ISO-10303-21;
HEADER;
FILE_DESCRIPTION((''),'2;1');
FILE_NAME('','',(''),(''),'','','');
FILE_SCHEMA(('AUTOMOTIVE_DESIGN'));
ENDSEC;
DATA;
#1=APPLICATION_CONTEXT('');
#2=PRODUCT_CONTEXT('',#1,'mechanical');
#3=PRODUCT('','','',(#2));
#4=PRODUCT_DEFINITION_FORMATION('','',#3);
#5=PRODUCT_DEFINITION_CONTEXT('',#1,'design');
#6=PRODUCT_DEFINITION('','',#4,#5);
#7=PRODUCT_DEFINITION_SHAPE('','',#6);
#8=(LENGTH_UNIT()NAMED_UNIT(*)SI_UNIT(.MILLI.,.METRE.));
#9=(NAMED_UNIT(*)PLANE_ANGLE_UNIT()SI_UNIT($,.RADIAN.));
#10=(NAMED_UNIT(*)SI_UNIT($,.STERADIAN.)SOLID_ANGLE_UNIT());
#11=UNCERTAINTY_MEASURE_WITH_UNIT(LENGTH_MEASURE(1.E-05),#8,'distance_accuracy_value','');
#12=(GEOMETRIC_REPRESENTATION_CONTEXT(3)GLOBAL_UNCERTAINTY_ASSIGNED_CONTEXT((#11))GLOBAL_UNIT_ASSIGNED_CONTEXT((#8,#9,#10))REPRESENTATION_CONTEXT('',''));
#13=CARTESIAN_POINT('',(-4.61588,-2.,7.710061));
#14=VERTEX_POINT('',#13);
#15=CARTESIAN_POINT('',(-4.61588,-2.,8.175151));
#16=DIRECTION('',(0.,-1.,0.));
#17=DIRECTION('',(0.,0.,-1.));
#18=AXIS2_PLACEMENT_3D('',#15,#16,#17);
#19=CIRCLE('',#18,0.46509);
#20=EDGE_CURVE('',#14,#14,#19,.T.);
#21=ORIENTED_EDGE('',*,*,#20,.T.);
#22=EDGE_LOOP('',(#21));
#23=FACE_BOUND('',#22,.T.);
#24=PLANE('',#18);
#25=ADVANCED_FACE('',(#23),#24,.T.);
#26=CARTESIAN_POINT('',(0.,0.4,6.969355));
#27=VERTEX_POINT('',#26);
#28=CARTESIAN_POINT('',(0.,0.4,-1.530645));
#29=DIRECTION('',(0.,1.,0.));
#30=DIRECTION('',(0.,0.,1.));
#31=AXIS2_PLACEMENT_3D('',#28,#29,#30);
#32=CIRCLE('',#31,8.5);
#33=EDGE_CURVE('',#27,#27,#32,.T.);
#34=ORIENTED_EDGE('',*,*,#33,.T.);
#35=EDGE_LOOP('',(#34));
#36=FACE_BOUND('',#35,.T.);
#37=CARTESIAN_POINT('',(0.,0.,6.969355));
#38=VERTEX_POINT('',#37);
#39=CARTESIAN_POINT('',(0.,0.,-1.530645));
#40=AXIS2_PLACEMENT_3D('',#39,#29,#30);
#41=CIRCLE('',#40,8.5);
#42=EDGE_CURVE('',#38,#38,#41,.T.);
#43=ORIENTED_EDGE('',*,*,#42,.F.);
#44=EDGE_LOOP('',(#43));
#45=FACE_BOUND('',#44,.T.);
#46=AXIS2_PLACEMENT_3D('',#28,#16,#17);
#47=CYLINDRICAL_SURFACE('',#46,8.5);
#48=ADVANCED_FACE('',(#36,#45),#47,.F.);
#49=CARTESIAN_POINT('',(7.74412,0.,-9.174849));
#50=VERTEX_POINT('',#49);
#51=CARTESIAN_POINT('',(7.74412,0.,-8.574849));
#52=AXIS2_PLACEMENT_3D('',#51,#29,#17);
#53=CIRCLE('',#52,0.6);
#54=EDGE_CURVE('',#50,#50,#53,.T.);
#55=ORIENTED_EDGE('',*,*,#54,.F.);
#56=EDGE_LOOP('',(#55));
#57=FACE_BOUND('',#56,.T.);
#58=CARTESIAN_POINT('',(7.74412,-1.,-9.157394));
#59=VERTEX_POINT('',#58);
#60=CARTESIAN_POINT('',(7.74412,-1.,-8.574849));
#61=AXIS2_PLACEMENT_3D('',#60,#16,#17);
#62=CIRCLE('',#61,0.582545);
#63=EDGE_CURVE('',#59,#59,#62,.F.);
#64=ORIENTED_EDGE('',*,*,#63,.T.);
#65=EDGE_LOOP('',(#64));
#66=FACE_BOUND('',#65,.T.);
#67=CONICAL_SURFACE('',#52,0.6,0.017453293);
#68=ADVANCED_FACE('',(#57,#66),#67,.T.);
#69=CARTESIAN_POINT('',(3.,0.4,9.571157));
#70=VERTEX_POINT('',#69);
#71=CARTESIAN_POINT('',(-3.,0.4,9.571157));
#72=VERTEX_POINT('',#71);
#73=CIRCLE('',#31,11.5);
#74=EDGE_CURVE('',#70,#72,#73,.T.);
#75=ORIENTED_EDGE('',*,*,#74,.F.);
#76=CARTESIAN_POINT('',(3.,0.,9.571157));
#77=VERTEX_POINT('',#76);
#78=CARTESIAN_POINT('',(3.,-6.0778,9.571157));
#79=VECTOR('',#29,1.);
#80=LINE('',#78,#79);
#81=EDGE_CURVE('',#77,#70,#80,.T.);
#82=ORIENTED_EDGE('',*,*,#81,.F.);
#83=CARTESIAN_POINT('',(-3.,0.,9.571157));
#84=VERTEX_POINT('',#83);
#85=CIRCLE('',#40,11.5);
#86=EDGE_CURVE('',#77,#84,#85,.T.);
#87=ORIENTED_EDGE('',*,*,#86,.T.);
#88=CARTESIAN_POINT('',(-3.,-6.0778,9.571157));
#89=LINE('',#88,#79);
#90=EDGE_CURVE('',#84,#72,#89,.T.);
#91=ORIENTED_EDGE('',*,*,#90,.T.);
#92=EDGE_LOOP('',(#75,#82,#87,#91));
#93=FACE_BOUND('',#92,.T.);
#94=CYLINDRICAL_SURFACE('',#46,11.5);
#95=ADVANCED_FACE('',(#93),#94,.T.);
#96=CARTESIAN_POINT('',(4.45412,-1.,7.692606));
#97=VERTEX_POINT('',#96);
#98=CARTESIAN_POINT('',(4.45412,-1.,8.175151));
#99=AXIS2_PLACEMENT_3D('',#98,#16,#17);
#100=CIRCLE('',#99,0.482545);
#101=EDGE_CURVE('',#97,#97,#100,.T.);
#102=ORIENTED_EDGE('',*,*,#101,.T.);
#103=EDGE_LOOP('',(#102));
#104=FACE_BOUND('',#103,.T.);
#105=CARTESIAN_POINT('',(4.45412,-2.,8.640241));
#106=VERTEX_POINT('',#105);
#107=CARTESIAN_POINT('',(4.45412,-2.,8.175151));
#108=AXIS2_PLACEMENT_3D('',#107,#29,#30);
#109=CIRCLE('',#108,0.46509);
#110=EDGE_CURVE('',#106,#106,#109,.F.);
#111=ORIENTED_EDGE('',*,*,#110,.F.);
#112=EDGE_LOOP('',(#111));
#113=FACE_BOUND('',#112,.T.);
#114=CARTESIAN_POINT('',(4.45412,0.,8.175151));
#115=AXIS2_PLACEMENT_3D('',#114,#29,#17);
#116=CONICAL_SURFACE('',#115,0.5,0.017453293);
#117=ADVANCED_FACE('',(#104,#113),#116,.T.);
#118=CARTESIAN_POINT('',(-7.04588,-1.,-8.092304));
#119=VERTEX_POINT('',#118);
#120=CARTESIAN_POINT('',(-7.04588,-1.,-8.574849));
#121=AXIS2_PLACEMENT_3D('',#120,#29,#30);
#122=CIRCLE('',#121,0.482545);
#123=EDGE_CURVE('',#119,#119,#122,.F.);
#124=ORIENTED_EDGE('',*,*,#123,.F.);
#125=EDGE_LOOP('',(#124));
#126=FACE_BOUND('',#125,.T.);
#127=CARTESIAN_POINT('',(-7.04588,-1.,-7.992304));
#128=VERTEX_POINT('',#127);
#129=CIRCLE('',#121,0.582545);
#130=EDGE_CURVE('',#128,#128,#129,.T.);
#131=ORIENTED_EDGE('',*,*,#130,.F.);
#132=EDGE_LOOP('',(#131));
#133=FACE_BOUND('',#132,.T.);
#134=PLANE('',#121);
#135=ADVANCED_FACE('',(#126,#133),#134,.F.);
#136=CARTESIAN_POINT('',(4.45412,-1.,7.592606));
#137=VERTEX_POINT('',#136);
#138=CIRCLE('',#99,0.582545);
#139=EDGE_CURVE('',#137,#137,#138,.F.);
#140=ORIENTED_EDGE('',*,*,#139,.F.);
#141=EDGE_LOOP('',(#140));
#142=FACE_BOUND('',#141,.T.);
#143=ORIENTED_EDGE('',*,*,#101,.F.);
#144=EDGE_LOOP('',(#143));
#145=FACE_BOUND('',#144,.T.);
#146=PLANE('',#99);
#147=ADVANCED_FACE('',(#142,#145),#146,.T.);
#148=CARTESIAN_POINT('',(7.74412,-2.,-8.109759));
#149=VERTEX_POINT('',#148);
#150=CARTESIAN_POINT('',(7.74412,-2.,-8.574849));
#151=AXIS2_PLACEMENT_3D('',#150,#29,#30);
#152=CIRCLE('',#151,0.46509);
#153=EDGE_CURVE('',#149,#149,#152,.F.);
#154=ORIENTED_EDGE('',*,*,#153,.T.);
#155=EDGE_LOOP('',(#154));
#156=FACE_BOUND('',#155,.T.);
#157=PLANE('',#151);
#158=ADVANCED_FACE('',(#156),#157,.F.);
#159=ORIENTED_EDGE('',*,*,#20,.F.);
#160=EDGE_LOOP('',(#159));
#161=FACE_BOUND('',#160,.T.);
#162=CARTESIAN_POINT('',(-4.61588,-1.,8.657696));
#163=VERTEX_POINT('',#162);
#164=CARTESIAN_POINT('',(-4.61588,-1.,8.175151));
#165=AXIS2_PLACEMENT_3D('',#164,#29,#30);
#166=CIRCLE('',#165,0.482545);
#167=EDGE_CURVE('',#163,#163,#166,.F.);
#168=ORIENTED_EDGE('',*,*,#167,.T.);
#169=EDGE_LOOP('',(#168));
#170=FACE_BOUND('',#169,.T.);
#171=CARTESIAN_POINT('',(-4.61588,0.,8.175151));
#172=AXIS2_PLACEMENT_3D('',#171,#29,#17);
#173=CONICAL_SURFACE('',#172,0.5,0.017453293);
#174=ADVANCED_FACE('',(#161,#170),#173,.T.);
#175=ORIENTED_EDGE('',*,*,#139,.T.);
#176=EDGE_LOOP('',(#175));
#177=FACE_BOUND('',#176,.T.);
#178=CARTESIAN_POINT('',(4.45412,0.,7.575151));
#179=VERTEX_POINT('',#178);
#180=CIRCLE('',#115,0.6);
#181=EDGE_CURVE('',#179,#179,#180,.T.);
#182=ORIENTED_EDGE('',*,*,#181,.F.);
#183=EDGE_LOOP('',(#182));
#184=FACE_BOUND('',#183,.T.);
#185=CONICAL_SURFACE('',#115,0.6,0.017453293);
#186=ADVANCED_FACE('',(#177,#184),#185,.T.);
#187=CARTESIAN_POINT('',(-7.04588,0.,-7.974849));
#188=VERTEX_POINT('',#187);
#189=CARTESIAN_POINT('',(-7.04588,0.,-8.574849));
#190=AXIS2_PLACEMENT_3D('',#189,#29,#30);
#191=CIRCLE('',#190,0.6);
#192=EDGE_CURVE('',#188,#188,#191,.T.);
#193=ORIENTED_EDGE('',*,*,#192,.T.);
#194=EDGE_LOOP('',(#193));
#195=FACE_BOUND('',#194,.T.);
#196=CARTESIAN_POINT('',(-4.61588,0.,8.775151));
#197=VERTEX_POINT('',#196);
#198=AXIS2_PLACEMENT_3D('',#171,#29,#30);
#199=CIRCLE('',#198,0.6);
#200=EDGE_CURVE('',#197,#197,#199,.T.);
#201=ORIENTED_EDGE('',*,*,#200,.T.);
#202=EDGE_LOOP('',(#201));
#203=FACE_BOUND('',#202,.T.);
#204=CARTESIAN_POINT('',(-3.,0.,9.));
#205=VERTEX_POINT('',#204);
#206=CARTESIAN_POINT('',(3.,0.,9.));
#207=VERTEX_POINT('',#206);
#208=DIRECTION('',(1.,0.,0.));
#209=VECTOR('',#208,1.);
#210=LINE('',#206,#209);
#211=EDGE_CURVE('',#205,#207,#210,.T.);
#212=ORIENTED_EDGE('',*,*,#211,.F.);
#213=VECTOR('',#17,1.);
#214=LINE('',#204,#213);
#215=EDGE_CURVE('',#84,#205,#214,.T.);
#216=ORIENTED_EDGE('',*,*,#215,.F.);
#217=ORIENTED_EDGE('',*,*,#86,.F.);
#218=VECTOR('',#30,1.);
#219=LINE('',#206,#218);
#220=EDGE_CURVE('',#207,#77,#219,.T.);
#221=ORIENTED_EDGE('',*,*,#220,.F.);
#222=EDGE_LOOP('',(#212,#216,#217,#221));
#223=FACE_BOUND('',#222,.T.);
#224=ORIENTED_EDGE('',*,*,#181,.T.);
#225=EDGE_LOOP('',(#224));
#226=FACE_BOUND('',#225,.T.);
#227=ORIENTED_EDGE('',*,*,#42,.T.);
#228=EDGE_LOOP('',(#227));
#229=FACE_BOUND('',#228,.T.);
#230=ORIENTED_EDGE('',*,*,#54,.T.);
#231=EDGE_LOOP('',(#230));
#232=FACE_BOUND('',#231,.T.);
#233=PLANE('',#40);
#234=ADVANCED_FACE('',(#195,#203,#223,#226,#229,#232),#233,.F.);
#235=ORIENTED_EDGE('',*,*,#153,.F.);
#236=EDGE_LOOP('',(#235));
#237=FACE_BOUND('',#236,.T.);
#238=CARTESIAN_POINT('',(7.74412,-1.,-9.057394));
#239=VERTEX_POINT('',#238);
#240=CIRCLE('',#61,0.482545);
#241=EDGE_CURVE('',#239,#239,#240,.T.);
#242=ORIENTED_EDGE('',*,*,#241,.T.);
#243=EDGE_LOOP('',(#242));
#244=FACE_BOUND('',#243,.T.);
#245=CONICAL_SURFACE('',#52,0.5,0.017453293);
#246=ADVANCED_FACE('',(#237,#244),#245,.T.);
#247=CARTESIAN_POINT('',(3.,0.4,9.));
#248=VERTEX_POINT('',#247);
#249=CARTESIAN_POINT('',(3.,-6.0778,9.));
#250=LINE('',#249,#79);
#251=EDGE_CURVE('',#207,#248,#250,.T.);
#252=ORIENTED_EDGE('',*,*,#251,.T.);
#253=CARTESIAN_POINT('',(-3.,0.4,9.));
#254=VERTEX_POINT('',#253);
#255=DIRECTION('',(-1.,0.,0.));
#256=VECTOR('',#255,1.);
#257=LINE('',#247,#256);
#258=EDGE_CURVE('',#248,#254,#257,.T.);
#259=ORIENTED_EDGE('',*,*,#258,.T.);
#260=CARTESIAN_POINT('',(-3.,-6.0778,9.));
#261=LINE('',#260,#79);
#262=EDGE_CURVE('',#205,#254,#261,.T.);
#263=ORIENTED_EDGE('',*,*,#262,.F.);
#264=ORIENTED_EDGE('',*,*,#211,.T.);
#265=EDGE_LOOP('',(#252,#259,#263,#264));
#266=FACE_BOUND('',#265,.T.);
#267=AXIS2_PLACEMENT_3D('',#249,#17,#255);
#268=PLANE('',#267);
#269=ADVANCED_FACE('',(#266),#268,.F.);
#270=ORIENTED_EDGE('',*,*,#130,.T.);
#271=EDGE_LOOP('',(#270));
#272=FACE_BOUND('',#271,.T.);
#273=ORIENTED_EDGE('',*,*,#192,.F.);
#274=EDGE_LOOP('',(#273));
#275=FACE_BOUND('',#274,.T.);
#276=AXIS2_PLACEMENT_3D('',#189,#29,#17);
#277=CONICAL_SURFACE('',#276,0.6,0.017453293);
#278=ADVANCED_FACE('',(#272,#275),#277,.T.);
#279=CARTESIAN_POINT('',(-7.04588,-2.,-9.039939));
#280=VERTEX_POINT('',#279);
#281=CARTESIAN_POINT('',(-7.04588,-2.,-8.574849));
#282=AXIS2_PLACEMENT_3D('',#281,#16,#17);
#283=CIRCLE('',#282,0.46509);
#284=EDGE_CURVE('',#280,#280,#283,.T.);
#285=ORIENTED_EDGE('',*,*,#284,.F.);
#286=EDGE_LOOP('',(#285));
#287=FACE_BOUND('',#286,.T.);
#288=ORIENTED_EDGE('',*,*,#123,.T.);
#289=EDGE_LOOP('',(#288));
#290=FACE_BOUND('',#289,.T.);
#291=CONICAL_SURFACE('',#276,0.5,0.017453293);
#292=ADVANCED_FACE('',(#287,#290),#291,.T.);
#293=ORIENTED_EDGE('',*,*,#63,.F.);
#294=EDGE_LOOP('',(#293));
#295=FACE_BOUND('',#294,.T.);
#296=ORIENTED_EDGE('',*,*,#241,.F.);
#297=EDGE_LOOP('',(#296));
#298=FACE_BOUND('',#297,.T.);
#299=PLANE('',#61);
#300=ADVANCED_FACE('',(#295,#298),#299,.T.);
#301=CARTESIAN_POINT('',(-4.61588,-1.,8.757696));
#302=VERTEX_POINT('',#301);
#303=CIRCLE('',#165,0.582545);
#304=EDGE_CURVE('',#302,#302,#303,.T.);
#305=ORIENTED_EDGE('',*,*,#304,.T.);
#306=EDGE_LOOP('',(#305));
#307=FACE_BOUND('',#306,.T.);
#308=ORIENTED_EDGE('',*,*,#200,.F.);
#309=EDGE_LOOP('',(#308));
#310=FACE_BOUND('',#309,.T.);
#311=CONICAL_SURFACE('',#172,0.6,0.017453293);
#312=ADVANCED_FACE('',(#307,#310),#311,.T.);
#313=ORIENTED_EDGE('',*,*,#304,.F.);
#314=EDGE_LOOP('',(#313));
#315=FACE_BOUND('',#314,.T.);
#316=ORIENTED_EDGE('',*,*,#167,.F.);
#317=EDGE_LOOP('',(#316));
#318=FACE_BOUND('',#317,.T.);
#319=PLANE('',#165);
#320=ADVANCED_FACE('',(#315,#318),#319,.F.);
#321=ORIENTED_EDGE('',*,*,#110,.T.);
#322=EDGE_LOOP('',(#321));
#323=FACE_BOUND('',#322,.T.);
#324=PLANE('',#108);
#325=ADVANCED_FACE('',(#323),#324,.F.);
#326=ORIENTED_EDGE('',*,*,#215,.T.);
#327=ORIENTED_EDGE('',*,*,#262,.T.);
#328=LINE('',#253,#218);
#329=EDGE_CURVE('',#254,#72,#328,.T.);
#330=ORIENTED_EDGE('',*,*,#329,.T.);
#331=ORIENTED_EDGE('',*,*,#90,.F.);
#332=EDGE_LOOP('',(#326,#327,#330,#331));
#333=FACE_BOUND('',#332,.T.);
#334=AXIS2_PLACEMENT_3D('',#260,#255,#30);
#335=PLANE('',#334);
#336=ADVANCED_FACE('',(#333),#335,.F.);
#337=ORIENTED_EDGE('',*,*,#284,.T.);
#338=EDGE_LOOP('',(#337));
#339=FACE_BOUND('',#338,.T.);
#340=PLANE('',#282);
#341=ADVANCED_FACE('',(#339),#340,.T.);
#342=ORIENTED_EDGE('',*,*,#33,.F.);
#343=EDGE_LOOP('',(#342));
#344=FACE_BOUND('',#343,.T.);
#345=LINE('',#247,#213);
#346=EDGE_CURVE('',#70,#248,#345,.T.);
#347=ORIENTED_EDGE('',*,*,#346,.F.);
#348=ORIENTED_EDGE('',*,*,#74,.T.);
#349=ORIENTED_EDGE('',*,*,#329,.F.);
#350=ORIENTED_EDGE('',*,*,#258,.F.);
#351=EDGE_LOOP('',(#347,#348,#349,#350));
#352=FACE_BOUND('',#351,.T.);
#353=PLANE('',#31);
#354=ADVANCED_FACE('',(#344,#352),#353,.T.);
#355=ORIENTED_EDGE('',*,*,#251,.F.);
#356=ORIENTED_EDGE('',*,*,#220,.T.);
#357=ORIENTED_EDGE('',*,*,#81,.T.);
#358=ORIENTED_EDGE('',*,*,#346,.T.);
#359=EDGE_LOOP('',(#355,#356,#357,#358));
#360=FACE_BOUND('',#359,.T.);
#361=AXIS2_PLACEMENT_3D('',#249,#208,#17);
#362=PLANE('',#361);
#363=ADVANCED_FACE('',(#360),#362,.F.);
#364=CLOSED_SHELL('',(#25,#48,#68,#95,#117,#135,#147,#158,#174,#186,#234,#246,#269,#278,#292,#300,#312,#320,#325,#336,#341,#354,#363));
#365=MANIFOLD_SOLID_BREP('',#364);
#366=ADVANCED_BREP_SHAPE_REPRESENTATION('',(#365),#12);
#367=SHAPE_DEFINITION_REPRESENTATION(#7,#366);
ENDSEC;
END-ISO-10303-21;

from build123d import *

# Parameters (mm, degrees)
SKETCH1_R           = 11.5
SKETCH1_R_2         = 8.5
BOSS_EXTRUDE1_DEPTH = 0.4
SKETCH2_R           = 0.6
BOSS_EXTRUDE2_DEPTH = 1
SKETCH3_R           = 0.5
BOSS_EXTRUDE3_DEPTH = 1
CUT_EXTRUDE1_START  = -0.4
CUT_EXTRUDE1_DEPTH  = 0.4
DRAFT2_ANGLE        = -1


with BuildPart() as part:
    # Sketch1 → Boss-Extrude1 (new body)
    with BuildSketch(Plane(origin=(0, 0, 0), x_dir=(1, 0, 0), z_dir=(0, 1, 0))):
        with Locations(Location((0, 1.53064501, 0), (0, 0, 270))):
            Circle(SKETCH1_R)
        with Locations(Location((0, 1.53064501, 0), (0, 0, 270))):
            Circle(SKETCH1_R_2, mode=Mode.SUBTRACT)
    extrude(amount=BOSS_EXTRUDE1_DEPTH)

    # Sketch2 → Boss-Extrude2 (add)
    with BuildSketch(Plane(origin=(0, 0, 0), x_dir=(1, 0, 0), z_dir=(0, 1, 0))):
        with Locations(Location((-4.61588, -8.175151, 0), (0, 0, 270))):
            Circle(SKETCH2_R)
        with Locations(Location((-7.04588, 8.574849, 0), (0, 0, 270))):
            Circle(SKETCH2_R)
        with Locations(Location((7.74412, 8.574849, 0), (0, 0, 90))):
            Circle(SKETCH2_R)
        with Locations(Location((4.45412, -8.175151, 0), (0, 0, 90))):
            Circle(SKETCH2_R)
    extrude(amount=-BOSS_EXTRUDE2_DEPTH)

    # Sketch3 → Boss-Extrude3 (add)
    with BuildSketch(Plane.XZ.offset(1)):
        with Locations(Location((-4.61588, 8.175151, 0), (0, 0, 270))):
            Circle(SKETCH3_R)
        with Locations(Location((-7.04588, -8.574849, 0), (0, 0, 270))):
            Circle(SKETCH3_R)
        with Locations(Location((7.74412, -8.574849, 0), (0, 0, 90))):
            Circle(SKETCH3_R)
        with Locations(Location((4.45412, 8.175151, 0), (0, 0, 90))):
            Circle(SKETCH3_R)
    extrude(amount=BOSS_EXTRUDE3_DEPTH)

    # Sketch6 → Cut-Extrude1 (cut)
    with BuildSketch(Plane(origin=(0, 0.4, 0), x_dir=(1, 0, 0), z_dir=(0, 1, 0)).offset(CUT_EXTRUDE1_START)):
        with BuildLine():
            Line((3, -9), (-3, -9))
            Line((-3, -9), (-3, -9.571156646))
            ThreePointArc((-3, -9.571156646), (0, -9.96935499), (3, -9.571156646))
            Line((3, -9.571156646), (3, -9))
        make_face()
    extrude(amount=CUT_EXTRUDE1_DEPTH, mode=Mode.SUBTRACT)

    # Draft2
    draft2_faces = [part.faces().sort_by_distance(p)[0] for p in [
        (7.74412, -1.5, -9.074849),
        (7.74412, -0.5, -7.974849),
        (4.45412, -0.5, 8.775151),
        (4.45412, -1.5, 7.675151),
        (-4.61588, -1.5, 8.675151),
        (-4.61588, -0.5, 7.575151),
        (-7.04588, -0.5, -9.174849),
        (-7.04588, -1.5, -8.074849),
    ]]
    draft(draft2_faces, Plane.ZX, DRAFT2_ANGLE)


solid = part.part
